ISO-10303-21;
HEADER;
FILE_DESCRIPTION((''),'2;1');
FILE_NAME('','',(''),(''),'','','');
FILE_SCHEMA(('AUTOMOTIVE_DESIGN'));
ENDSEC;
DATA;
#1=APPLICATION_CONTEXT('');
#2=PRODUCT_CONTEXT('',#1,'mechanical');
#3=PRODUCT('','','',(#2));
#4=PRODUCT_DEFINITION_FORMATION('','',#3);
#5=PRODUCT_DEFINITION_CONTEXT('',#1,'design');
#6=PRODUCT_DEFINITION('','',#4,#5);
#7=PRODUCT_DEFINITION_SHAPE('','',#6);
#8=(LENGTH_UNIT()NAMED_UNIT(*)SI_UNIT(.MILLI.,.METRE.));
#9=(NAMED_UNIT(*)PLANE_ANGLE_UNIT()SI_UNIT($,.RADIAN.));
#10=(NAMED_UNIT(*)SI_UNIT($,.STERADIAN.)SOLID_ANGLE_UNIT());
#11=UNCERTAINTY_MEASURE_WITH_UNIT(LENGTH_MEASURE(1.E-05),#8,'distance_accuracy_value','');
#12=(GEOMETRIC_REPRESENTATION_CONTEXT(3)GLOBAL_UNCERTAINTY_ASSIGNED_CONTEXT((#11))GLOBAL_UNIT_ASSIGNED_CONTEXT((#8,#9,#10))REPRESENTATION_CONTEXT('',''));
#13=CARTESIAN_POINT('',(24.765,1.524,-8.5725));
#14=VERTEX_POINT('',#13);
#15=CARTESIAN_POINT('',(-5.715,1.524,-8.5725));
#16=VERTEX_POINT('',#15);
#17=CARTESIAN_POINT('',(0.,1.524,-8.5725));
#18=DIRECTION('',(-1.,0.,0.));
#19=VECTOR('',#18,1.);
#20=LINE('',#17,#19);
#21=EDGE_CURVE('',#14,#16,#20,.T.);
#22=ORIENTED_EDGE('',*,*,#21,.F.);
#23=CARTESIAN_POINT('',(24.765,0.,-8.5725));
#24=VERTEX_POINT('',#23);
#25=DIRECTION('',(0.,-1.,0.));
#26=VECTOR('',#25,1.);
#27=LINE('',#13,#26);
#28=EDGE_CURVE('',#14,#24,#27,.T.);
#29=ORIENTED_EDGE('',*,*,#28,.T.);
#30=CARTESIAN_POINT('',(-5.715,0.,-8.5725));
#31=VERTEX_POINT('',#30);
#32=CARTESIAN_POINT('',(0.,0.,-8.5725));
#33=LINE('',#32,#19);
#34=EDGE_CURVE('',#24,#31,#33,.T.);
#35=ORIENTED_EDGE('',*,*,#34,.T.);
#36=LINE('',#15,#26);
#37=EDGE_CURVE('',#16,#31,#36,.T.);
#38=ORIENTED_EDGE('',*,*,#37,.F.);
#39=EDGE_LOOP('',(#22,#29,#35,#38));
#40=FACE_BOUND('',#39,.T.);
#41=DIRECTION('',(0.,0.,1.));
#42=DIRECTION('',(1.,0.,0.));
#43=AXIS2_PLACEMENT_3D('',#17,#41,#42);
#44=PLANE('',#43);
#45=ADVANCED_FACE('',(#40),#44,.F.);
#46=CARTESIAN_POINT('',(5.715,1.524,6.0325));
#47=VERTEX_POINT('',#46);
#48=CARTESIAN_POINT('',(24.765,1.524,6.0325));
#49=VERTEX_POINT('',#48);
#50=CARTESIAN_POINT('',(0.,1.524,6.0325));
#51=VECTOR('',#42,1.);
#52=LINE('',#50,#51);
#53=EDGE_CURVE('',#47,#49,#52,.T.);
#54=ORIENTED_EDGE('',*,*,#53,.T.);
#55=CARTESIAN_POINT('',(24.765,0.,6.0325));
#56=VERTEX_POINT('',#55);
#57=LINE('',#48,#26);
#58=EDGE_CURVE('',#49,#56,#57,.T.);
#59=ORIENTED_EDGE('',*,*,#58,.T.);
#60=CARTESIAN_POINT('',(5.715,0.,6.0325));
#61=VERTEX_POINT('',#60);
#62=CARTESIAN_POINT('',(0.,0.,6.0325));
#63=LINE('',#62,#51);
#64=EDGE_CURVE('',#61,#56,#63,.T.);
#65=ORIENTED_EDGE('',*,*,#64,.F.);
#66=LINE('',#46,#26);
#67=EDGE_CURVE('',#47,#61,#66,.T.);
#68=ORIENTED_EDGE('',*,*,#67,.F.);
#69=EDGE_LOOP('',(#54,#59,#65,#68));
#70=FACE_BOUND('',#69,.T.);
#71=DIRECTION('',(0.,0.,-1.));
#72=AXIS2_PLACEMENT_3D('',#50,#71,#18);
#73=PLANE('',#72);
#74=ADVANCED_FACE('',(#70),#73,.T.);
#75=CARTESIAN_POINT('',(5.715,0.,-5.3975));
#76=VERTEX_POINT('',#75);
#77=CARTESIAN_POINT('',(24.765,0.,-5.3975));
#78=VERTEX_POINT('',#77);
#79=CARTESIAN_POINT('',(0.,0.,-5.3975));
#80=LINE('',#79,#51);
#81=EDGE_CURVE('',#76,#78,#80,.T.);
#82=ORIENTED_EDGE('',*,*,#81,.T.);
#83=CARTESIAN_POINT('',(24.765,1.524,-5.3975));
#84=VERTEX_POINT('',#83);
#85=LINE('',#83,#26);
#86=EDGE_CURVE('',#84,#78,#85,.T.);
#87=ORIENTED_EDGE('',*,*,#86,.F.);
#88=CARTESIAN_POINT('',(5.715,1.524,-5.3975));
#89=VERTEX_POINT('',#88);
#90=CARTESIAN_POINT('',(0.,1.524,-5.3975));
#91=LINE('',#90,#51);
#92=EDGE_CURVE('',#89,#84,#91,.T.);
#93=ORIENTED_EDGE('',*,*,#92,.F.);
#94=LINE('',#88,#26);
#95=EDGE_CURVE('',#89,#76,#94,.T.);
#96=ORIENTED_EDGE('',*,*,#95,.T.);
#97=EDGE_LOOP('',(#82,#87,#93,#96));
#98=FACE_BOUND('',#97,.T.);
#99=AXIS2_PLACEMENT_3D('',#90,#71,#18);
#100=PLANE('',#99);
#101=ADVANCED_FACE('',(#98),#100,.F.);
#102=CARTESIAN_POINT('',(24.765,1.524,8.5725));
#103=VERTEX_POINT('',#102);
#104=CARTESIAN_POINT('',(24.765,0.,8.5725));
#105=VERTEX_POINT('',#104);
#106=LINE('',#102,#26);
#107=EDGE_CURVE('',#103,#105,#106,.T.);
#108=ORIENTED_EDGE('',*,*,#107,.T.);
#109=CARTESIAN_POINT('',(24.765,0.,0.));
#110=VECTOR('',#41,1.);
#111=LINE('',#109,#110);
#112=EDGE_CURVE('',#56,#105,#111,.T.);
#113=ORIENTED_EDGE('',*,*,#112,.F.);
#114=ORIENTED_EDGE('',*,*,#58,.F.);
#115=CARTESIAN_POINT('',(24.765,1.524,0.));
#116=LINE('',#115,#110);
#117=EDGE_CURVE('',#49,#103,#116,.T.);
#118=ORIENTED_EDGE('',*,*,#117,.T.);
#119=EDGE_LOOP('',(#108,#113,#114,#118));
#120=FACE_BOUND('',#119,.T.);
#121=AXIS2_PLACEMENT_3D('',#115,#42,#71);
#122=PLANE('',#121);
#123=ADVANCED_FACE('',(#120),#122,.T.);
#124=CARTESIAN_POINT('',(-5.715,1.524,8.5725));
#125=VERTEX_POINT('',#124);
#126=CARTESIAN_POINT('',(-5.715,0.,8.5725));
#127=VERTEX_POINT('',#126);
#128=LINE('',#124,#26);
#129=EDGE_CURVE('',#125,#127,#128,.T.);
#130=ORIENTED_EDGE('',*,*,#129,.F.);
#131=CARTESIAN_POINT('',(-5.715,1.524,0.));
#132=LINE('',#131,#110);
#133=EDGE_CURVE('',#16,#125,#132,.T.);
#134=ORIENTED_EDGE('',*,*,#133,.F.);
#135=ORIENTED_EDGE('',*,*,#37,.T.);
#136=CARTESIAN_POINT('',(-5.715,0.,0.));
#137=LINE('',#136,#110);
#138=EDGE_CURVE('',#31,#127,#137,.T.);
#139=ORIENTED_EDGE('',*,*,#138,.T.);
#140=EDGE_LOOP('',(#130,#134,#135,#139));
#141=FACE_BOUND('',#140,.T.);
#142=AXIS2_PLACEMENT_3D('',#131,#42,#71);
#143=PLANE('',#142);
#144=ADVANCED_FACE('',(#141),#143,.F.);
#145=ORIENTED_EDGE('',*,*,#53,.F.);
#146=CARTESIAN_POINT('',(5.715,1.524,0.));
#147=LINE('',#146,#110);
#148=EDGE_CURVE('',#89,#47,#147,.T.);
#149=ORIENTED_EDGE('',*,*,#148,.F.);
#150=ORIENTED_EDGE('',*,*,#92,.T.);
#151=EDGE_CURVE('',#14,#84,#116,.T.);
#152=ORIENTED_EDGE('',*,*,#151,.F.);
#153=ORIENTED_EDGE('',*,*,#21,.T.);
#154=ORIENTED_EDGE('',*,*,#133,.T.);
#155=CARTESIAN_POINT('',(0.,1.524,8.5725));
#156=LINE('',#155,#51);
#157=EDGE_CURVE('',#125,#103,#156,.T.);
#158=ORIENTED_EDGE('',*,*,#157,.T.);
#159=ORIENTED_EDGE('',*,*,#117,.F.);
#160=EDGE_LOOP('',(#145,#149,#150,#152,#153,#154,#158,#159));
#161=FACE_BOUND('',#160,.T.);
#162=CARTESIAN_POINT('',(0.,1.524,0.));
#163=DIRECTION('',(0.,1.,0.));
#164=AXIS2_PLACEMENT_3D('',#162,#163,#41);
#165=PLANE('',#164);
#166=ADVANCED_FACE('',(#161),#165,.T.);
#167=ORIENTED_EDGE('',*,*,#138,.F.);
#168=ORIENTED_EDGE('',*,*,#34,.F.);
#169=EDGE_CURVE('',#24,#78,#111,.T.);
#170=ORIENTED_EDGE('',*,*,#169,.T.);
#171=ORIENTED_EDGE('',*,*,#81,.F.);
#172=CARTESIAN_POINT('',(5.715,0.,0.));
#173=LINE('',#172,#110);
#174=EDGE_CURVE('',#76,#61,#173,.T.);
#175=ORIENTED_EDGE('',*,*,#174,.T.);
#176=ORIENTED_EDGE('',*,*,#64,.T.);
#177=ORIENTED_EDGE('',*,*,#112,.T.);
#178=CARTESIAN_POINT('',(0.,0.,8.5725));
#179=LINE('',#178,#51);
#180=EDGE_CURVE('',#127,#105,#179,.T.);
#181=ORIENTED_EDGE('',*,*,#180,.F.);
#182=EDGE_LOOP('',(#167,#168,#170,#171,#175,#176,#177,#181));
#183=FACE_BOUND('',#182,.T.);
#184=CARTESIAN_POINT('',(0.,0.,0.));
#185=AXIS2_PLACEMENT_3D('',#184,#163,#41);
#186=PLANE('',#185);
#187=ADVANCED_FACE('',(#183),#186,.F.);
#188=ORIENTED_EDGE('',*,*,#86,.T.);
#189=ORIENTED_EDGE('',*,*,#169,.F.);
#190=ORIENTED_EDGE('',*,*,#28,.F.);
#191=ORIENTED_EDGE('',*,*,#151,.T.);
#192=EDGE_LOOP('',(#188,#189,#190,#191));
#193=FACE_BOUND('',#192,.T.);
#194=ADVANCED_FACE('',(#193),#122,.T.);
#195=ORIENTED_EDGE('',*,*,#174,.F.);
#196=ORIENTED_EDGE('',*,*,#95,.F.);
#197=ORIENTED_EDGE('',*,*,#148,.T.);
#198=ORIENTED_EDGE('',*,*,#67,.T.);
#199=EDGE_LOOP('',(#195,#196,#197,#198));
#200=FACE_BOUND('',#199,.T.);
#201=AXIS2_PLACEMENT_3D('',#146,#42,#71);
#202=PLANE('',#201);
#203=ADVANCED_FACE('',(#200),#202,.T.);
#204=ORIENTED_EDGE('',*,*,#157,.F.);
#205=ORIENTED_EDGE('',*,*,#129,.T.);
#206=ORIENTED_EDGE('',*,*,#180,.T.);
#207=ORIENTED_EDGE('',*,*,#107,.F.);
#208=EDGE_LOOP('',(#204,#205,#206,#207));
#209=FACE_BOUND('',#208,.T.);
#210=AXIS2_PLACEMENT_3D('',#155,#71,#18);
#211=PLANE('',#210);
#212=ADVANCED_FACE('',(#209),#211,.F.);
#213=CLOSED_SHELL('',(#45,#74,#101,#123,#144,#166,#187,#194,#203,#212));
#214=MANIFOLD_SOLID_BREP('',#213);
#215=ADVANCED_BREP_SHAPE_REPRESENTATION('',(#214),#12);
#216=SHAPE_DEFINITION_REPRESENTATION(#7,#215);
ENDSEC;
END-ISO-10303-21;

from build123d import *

# Parameters (mm, degrees)
SKETCH1_W           = 19.05
SKETCH1_H           = 2.54
SKETCH1_H_2         = 3.175
BOSS_EXTRUDE1_DEPTH = 1.524


with BuildPart() as part:
    # Sketch1 → Boss-Extrude1 (new body)
    with BuildSketch(Plane(origin=(0, 0, 0), x_dir=(1, 0, 0), z_dir=(0, 1, 0))):
        with Locations((15.24, -7.3025)):
            Rectangle(SKETCH1_W, SKETCH1_H)
        Polygon((5.715, -6.0325), (5.715, 5.3975), (5.715, 8.5725), (-5.715, 8.5725), (-5.715, -8.5725), (5.715, -8.5725), align=None)
        with Locations((15.24, 6.985)):
            Rectangle(SKETCH1_W, SKETCH1_H_2)
    extrude(amount=BOSS_EXTRUDE1_DEPTH)


solid = part.part
